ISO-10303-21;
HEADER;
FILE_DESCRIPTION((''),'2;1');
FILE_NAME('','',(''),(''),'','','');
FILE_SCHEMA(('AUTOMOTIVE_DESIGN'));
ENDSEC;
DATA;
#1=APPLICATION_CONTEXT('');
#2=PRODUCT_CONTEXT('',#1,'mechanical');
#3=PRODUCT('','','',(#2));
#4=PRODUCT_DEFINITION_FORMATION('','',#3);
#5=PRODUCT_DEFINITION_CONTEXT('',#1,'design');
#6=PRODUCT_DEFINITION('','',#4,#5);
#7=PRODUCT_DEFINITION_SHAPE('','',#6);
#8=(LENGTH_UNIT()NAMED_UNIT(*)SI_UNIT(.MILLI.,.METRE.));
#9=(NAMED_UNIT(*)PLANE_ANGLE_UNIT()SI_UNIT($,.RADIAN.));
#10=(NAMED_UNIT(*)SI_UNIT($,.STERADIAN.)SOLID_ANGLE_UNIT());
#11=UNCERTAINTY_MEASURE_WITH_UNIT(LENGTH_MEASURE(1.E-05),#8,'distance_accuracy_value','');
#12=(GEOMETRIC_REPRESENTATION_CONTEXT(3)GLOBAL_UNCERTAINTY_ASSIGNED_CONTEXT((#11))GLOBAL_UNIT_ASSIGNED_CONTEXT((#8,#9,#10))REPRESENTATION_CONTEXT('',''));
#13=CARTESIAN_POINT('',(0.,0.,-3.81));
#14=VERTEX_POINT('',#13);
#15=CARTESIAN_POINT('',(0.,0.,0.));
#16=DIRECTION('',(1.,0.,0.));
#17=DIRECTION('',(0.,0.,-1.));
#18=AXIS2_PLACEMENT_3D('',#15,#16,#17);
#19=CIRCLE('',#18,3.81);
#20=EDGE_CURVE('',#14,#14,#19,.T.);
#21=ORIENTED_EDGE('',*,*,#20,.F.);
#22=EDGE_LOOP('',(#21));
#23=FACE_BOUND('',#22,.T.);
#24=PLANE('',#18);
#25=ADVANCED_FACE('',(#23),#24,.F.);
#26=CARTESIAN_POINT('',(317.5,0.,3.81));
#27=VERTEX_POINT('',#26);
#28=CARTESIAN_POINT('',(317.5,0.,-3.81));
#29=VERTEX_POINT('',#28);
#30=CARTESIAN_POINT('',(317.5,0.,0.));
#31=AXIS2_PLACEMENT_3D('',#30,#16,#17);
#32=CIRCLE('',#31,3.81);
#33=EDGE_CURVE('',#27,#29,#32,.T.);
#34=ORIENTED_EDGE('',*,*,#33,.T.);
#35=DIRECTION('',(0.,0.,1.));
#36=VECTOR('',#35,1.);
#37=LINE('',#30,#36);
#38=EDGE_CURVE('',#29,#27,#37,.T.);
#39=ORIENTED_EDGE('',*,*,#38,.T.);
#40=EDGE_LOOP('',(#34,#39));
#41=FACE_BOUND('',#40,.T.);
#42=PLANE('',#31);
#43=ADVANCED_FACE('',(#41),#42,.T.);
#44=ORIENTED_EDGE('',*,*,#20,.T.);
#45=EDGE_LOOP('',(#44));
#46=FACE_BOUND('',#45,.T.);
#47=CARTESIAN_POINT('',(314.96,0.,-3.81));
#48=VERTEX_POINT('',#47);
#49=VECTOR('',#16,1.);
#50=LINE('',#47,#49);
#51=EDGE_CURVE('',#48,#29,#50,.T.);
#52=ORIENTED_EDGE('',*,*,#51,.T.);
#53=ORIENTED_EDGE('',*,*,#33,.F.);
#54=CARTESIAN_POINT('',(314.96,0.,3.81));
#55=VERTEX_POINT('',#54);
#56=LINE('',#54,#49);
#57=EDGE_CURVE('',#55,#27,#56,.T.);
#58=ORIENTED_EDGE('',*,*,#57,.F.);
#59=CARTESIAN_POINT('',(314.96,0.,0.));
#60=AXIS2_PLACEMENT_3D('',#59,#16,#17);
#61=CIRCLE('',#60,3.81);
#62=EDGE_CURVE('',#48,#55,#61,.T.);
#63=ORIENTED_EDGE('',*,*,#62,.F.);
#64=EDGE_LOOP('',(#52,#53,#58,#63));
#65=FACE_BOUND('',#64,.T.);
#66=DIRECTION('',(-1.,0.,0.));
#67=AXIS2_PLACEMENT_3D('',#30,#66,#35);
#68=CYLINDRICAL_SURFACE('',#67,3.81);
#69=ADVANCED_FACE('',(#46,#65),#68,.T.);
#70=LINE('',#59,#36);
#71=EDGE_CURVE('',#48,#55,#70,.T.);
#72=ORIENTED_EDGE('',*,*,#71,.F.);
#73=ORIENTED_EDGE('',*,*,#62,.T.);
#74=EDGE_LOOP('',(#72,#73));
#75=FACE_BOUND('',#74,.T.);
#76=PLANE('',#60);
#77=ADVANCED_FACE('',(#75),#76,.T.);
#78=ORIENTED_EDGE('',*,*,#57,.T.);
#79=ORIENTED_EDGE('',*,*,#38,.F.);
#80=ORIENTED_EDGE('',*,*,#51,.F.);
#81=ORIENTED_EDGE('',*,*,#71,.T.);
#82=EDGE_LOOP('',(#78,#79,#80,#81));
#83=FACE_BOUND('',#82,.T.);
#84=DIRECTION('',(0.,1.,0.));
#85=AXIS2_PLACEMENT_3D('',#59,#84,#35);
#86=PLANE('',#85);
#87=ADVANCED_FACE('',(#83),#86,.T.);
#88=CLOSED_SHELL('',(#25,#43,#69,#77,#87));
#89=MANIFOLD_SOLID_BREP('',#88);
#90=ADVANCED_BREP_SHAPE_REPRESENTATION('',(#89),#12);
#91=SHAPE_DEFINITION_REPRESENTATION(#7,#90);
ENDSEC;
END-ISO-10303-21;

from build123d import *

# Parameters (mm, degrees)
SKETCH1_R           = 3.81
BOSS_EXTRUDE1_DEPTH = 317.5
CUT_EXTRUDE1_DEPTH  = 2.54


with BuildPart() as part:
    # Sketch1 → Boss-Extrude1 (new body)
    with BuildSketch(Plane(origin=(0, 0, 0), x_dir=(0, 0, -1), z_dir=(1, 0, 0))):
        Circle(SKETCH1_R)
    extrude(amount=BOSS_EXTRUDE1_DEPTH)

    # Sketch2 → Cut-Extrude1 (cut)
    with BuildSketch(Plane(origin=(317.5, 0, 0), x_dir=(0, 0, -1), z_dir=(1, 0, 0))):
        with BuildLine():
            Line((-3.81, 0), (3.81, 0))
            ThreePointArc((3.81, 0), (0, 3.81), (-3.81, 0))
        make_face()
    extrude(amount=-CUT_EXTRUDE1_DEPTH, mode=Mode.SUBTRACT)


solid = part.part
